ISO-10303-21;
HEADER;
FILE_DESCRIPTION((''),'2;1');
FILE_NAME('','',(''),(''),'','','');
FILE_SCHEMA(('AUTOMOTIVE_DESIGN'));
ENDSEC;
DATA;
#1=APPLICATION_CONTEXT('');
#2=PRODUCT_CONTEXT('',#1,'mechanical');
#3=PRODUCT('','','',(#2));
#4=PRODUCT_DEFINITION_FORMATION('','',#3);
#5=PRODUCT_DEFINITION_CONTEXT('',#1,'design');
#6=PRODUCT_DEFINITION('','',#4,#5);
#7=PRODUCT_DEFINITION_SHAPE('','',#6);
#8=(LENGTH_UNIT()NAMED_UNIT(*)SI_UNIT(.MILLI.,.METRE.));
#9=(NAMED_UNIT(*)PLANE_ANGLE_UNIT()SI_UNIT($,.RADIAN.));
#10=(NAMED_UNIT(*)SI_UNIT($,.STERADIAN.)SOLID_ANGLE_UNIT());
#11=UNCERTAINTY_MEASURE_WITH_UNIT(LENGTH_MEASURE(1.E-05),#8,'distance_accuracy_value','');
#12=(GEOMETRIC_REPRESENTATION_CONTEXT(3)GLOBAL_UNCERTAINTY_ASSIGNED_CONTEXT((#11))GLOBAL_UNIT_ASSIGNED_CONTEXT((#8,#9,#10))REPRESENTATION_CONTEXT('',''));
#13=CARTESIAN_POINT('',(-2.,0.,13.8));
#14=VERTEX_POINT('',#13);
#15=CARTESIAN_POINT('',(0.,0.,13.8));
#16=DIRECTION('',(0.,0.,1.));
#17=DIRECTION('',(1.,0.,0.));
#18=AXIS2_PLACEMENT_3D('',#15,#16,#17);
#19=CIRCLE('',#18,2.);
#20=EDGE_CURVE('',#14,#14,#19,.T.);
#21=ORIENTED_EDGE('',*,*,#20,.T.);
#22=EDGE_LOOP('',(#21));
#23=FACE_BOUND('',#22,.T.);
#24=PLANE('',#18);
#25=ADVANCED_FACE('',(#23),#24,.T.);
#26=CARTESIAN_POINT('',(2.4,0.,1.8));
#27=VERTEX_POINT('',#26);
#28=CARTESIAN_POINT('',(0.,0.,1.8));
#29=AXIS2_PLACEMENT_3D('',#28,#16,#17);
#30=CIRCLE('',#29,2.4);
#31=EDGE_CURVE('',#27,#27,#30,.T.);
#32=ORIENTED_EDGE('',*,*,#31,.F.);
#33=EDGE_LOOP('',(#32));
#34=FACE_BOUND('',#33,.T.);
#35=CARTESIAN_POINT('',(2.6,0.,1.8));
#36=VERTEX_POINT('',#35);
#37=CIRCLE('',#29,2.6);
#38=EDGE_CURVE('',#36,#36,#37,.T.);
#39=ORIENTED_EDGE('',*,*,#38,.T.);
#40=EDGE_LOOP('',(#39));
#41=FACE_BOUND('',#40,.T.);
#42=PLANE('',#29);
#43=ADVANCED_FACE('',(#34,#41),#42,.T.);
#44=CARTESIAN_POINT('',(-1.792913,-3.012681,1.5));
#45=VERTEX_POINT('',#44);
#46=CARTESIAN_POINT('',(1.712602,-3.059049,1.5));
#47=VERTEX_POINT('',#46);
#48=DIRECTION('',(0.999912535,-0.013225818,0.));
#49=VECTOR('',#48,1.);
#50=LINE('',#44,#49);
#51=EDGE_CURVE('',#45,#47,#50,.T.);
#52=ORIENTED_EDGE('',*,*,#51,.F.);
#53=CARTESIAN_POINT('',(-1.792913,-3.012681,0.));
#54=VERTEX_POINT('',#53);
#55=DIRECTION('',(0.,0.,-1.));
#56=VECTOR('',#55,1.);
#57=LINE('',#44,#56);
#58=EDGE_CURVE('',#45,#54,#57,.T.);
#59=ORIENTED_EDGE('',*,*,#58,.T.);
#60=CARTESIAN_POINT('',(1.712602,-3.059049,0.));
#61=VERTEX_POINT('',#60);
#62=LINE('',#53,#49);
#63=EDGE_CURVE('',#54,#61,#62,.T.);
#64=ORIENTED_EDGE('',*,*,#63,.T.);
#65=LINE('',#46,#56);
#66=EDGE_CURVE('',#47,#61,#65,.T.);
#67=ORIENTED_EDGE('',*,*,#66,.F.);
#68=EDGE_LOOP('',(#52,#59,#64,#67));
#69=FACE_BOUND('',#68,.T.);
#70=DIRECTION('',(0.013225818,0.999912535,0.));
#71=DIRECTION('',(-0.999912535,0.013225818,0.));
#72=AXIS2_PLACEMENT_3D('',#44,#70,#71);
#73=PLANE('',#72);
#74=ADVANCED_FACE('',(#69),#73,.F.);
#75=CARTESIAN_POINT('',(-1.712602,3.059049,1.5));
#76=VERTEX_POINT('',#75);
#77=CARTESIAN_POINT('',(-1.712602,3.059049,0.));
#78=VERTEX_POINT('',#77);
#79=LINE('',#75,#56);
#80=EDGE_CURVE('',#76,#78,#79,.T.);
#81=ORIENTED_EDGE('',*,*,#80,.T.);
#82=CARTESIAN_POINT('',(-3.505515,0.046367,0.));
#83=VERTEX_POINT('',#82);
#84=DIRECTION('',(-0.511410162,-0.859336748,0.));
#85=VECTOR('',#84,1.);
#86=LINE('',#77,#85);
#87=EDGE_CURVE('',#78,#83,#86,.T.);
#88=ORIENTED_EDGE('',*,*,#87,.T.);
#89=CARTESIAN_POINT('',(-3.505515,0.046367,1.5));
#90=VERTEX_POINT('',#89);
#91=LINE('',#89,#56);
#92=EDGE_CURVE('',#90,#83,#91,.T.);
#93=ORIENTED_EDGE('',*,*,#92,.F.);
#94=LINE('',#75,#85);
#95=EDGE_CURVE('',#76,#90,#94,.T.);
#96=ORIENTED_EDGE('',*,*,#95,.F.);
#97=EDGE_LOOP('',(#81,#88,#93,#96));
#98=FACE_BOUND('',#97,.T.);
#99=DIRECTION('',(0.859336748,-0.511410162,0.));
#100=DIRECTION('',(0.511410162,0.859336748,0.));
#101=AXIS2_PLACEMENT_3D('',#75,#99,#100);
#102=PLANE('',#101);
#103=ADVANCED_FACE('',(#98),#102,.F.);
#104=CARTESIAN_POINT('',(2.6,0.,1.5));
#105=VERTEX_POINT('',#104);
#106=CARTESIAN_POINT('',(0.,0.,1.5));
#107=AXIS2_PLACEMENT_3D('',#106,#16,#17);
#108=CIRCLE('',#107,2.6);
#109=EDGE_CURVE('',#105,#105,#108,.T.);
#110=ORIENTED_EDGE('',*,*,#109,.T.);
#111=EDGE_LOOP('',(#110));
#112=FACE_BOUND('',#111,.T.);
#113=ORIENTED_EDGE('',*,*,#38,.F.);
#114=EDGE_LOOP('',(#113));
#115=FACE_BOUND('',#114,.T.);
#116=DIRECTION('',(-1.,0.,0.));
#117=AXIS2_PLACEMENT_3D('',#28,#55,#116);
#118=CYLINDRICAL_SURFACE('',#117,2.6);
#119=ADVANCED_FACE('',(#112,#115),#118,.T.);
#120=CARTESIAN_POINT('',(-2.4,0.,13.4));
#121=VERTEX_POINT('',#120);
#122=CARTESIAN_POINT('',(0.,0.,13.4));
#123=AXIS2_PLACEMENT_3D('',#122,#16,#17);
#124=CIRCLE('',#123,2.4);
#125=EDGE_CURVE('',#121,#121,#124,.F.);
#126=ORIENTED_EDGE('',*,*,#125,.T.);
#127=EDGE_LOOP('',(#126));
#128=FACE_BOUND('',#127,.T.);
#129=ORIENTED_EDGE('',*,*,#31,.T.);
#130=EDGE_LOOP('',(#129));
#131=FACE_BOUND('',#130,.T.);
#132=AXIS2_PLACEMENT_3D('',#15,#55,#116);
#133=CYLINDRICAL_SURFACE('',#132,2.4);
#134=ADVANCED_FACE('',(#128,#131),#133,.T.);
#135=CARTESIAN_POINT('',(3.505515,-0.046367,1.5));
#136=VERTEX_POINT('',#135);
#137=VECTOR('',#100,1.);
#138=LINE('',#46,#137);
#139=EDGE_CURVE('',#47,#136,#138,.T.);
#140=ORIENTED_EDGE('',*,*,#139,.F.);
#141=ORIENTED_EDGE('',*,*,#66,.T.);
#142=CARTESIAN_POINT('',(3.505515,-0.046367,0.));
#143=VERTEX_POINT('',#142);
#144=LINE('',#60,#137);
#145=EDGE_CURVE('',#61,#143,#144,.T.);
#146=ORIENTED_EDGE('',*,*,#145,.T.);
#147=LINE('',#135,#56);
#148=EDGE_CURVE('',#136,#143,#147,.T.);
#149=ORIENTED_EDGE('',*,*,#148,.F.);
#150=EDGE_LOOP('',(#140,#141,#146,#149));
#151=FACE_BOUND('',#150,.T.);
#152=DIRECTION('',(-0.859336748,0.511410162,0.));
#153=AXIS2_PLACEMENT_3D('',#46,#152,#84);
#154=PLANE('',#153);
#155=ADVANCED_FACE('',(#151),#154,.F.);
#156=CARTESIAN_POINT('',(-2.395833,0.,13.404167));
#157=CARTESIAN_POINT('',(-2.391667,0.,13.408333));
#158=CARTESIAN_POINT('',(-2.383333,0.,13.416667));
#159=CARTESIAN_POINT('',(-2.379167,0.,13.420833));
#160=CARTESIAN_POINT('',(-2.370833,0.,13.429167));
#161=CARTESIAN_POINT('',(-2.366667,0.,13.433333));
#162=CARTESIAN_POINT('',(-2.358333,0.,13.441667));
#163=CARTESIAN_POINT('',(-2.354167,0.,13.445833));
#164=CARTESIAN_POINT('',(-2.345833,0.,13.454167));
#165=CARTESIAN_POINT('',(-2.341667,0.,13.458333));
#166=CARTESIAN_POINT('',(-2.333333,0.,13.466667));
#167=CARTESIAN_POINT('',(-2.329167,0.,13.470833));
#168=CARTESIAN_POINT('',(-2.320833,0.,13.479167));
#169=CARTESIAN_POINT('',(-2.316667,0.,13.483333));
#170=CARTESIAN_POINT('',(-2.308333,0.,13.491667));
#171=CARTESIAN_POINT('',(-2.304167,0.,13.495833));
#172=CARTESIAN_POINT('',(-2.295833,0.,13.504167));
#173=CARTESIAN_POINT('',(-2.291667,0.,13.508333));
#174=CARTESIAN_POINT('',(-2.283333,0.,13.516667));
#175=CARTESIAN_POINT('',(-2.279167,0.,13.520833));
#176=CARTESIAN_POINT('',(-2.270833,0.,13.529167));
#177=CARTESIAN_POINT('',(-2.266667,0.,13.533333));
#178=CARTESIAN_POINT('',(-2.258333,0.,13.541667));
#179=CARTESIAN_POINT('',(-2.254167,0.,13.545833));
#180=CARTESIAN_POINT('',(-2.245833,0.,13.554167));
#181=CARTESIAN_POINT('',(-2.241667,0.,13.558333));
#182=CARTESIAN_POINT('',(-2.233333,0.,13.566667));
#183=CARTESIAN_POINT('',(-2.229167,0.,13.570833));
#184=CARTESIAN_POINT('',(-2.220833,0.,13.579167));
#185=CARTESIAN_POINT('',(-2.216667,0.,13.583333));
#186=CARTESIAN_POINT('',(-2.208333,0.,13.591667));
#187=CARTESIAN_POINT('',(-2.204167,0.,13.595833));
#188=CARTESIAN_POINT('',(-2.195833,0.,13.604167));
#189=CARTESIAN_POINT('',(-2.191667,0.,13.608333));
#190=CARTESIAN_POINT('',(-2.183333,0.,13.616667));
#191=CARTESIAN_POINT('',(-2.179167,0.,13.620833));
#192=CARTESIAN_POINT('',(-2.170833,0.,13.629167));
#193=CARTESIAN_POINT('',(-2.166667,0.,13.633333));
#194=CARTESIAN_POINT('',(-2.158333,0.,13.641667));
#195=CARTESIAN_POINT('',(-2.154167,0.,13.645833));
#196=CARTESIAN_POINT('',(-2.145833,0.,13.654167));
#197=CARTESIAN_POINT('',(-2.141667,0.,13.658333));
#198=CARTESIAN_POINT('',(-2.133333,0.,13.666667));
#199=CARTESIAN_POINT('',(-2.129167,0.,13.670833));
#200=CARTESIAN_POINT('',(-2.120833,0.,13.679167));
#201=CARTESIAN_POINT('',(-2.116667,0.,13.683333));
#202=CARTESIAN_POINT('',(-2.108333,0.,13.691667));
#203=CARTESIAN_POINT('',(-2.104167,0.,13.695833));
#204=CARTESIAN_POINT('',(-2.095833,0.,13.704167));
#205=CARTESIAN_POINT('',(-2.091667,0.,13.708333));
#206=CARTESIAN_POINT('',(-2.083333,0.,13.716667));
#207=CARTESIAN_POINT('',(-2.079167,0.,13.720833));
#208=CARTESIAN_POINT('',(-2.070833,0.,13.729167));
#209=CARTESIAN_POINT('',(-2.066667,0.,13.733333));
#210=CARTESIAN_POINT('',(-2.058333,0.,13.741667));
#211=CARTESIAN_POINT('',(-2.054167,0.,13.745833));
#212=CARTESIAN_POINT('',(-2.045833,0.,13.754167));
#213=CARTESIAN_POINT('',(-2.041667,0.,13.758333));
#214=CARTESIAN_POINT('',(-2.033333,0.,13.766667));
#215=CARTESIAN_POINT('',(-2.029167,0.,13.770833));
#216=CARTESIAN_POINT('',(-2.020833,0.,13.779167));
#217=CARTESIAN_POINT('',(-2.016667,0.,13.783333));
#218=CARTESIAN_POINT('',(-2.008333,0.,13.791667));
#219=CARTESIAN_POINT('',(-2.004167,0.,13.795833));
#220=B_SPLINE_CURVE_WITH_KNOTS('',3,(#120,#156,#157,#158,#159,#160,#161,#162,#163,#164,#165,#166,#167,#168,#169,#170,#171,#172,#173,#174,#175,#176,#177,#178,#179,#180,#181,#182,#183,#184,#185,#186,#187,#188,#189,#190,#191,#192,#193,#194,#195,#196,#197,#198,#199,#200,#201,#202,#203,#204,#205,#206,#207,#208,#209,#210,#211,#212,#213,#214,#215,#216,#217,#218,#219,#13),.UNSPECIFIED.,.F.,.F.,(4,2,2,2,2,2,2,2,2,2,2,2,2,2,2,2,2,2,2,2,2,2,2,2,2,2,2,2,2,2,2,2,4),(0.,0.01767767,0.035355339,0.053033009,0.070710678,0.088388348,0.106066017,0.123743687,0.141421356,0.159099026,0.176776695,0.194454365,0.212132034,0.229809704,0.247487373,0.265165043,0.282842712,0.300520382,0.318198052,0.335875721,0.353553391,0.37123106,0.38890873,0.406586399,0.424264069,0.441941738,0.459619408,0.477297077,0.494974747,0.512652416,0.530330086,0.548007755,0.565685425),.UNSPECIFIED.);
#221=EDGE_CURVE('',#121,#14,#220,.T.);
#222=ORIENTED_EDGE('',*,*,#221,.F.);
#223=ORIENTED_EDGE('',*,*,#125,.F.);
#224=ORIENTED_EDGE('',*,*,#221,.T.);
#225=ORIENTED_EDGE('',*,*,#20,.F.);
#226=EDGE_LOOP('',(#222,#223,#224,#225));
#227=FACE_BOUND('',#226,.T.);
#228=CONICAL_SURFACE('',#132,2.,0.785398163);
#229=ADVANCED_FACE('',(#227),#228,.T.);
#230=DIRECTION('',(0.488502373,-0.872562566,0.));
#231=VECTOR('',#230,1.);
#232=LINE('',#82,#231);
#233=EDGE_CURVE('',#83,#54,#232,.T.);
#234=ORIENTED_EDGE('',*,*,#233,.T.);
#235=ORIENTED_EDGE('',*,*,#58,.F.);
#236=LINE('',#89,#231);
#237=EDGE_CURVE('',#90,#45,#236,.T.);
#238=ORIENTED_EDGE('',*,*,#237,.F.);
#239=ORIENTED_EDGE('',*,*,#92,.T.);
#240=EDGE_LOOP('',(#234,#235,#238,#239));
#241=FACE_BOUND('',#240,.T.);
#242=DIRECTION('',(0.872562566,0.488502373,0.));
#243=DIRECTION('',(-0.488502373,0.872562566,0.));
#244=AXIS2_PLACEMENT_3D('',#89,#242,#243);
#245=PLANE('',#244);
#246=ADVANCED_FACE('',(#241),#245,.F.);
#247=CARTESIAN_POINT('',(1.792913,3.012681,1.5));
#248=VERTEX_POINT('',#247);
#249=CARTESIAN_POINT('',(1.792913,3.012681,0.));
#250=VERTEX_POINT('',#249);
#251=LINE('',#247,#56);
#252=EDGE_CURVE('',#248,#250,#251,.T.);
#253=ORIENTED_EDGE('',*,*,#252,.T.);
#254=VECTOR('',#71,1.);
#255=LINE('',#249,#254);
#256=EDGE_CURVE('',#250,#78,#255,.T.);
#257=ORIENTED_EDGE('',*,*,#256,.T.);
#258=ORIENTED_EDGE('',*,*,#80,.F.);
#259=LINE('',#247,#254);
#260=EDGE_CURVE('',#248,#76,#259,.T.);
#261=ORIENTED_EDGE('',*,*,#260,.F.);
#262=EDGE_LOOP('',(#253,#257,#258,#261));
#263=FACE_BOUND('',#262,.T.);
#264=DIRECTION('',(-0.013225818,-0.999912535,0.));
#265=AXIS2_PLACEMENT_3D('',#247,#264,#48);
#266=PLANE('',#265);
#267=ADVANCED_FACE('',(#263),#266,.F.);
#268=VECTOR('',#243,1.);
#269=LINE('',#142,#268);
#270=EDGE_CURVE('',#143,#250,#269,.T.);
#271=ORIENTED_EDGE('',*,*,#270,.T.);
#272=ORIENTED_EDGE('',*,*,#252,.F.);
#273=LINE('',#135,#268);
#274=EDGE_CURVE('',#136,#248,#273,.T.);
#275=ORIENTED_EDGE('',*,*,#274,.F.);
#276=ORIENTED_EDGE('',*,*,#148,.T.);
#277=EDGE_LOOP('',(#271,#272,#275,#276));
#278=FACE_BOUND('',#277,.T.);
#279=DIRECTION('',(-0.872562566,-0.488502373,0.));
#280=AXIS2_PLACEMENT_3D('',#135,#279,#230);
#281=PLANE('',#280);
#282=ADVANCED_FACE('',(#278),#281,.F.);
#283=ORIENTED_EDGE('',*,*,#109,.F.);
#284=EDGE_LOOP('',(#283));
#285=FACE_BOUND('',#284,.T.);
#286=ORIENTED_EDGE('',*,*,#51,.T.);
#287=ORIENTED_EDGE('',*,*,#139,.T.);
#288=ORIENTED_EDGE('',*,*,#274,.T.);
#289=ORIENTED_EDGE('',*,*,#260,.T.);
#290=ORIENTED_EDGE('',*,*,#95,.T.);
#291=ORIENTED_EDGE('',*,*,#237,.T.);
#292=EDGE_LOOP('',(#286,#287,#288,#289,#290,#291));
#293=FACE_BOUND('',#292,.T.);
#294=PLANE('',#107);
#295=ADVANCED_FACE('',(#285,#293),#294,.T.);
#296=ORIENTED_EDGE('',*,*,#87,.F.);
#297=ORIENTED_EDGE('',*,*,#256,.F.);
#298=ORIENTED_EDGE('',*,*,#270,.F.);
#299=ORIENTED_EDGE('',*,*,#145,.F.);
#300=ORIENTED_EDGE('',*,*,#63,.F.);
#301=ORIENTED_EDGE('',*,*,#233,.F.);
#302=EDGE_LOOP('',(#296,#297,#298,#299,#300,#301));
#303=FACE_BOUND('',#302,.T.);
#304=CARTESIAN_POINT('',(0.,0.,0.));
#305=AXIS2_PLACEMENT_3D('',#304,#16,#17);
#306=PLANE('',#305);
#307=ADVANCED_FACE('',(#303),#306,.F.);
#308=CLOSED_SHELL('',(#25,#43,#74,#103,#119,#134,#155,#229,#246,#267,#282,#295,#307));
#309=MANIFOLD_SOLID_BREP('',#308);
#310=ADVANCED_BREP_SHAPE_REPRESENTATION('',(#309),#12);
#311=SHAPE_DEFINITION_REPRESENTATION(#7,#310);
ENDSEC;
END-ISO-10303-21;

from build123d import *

# Parameters (mm, degrees)
BOSS_EXTRUDE6_DEPTH  = 1.5
SKETCH4_R            = 2.6
BOSS_EXTRUDE7_DEPTH  = 0.3
SKETCH5_R            = 2.4
BOSS_EXTRUDE10_DEPTH = 12
CHAMFER3_SIZE        = 0.4


with BuildPart() as part:
    # Sketch2 → Boss-Extrude6 (new body)
    with BuildSketch(Plane.XY):
        Polygon((1.792912768, 3.012681291), (-1.712602147, 3.05904865), (-3.505514916, 0.046367359), (-1.792912768, -3.012681291), (1.712602147, -3.05904865), (3.505514916, -0.046367359), align=None)
    extrude(amount=BOSS_EXTRUDE6_DEPTH)

    # Sketch4 → Boss-Extrude7 (add)
    with BuildSketch(Plane.XY.offset(1.5)):
        Circle(SKETCH4_R)
    extrude(amount=BOSS_EXTRUDE7_DEPTH)

    # Sketch5 → Boss-Extrude10 (add)
    with BuildSketch(Plane.XY.offset(1.8)):
        Circle(SKETCH5_R)
    extrude(amount=BOSS_EXTRUDE10_DEPTH)

    # Chamfer3
    chamfer3_edges = [part.edges().sort_by_distance(p)[0] for p in [
        (-2.4, 0, 13.8),
    ]]
    chamfer(chamfer3_edges, length=CHAMFER3_SIZE)


solid = part.part
